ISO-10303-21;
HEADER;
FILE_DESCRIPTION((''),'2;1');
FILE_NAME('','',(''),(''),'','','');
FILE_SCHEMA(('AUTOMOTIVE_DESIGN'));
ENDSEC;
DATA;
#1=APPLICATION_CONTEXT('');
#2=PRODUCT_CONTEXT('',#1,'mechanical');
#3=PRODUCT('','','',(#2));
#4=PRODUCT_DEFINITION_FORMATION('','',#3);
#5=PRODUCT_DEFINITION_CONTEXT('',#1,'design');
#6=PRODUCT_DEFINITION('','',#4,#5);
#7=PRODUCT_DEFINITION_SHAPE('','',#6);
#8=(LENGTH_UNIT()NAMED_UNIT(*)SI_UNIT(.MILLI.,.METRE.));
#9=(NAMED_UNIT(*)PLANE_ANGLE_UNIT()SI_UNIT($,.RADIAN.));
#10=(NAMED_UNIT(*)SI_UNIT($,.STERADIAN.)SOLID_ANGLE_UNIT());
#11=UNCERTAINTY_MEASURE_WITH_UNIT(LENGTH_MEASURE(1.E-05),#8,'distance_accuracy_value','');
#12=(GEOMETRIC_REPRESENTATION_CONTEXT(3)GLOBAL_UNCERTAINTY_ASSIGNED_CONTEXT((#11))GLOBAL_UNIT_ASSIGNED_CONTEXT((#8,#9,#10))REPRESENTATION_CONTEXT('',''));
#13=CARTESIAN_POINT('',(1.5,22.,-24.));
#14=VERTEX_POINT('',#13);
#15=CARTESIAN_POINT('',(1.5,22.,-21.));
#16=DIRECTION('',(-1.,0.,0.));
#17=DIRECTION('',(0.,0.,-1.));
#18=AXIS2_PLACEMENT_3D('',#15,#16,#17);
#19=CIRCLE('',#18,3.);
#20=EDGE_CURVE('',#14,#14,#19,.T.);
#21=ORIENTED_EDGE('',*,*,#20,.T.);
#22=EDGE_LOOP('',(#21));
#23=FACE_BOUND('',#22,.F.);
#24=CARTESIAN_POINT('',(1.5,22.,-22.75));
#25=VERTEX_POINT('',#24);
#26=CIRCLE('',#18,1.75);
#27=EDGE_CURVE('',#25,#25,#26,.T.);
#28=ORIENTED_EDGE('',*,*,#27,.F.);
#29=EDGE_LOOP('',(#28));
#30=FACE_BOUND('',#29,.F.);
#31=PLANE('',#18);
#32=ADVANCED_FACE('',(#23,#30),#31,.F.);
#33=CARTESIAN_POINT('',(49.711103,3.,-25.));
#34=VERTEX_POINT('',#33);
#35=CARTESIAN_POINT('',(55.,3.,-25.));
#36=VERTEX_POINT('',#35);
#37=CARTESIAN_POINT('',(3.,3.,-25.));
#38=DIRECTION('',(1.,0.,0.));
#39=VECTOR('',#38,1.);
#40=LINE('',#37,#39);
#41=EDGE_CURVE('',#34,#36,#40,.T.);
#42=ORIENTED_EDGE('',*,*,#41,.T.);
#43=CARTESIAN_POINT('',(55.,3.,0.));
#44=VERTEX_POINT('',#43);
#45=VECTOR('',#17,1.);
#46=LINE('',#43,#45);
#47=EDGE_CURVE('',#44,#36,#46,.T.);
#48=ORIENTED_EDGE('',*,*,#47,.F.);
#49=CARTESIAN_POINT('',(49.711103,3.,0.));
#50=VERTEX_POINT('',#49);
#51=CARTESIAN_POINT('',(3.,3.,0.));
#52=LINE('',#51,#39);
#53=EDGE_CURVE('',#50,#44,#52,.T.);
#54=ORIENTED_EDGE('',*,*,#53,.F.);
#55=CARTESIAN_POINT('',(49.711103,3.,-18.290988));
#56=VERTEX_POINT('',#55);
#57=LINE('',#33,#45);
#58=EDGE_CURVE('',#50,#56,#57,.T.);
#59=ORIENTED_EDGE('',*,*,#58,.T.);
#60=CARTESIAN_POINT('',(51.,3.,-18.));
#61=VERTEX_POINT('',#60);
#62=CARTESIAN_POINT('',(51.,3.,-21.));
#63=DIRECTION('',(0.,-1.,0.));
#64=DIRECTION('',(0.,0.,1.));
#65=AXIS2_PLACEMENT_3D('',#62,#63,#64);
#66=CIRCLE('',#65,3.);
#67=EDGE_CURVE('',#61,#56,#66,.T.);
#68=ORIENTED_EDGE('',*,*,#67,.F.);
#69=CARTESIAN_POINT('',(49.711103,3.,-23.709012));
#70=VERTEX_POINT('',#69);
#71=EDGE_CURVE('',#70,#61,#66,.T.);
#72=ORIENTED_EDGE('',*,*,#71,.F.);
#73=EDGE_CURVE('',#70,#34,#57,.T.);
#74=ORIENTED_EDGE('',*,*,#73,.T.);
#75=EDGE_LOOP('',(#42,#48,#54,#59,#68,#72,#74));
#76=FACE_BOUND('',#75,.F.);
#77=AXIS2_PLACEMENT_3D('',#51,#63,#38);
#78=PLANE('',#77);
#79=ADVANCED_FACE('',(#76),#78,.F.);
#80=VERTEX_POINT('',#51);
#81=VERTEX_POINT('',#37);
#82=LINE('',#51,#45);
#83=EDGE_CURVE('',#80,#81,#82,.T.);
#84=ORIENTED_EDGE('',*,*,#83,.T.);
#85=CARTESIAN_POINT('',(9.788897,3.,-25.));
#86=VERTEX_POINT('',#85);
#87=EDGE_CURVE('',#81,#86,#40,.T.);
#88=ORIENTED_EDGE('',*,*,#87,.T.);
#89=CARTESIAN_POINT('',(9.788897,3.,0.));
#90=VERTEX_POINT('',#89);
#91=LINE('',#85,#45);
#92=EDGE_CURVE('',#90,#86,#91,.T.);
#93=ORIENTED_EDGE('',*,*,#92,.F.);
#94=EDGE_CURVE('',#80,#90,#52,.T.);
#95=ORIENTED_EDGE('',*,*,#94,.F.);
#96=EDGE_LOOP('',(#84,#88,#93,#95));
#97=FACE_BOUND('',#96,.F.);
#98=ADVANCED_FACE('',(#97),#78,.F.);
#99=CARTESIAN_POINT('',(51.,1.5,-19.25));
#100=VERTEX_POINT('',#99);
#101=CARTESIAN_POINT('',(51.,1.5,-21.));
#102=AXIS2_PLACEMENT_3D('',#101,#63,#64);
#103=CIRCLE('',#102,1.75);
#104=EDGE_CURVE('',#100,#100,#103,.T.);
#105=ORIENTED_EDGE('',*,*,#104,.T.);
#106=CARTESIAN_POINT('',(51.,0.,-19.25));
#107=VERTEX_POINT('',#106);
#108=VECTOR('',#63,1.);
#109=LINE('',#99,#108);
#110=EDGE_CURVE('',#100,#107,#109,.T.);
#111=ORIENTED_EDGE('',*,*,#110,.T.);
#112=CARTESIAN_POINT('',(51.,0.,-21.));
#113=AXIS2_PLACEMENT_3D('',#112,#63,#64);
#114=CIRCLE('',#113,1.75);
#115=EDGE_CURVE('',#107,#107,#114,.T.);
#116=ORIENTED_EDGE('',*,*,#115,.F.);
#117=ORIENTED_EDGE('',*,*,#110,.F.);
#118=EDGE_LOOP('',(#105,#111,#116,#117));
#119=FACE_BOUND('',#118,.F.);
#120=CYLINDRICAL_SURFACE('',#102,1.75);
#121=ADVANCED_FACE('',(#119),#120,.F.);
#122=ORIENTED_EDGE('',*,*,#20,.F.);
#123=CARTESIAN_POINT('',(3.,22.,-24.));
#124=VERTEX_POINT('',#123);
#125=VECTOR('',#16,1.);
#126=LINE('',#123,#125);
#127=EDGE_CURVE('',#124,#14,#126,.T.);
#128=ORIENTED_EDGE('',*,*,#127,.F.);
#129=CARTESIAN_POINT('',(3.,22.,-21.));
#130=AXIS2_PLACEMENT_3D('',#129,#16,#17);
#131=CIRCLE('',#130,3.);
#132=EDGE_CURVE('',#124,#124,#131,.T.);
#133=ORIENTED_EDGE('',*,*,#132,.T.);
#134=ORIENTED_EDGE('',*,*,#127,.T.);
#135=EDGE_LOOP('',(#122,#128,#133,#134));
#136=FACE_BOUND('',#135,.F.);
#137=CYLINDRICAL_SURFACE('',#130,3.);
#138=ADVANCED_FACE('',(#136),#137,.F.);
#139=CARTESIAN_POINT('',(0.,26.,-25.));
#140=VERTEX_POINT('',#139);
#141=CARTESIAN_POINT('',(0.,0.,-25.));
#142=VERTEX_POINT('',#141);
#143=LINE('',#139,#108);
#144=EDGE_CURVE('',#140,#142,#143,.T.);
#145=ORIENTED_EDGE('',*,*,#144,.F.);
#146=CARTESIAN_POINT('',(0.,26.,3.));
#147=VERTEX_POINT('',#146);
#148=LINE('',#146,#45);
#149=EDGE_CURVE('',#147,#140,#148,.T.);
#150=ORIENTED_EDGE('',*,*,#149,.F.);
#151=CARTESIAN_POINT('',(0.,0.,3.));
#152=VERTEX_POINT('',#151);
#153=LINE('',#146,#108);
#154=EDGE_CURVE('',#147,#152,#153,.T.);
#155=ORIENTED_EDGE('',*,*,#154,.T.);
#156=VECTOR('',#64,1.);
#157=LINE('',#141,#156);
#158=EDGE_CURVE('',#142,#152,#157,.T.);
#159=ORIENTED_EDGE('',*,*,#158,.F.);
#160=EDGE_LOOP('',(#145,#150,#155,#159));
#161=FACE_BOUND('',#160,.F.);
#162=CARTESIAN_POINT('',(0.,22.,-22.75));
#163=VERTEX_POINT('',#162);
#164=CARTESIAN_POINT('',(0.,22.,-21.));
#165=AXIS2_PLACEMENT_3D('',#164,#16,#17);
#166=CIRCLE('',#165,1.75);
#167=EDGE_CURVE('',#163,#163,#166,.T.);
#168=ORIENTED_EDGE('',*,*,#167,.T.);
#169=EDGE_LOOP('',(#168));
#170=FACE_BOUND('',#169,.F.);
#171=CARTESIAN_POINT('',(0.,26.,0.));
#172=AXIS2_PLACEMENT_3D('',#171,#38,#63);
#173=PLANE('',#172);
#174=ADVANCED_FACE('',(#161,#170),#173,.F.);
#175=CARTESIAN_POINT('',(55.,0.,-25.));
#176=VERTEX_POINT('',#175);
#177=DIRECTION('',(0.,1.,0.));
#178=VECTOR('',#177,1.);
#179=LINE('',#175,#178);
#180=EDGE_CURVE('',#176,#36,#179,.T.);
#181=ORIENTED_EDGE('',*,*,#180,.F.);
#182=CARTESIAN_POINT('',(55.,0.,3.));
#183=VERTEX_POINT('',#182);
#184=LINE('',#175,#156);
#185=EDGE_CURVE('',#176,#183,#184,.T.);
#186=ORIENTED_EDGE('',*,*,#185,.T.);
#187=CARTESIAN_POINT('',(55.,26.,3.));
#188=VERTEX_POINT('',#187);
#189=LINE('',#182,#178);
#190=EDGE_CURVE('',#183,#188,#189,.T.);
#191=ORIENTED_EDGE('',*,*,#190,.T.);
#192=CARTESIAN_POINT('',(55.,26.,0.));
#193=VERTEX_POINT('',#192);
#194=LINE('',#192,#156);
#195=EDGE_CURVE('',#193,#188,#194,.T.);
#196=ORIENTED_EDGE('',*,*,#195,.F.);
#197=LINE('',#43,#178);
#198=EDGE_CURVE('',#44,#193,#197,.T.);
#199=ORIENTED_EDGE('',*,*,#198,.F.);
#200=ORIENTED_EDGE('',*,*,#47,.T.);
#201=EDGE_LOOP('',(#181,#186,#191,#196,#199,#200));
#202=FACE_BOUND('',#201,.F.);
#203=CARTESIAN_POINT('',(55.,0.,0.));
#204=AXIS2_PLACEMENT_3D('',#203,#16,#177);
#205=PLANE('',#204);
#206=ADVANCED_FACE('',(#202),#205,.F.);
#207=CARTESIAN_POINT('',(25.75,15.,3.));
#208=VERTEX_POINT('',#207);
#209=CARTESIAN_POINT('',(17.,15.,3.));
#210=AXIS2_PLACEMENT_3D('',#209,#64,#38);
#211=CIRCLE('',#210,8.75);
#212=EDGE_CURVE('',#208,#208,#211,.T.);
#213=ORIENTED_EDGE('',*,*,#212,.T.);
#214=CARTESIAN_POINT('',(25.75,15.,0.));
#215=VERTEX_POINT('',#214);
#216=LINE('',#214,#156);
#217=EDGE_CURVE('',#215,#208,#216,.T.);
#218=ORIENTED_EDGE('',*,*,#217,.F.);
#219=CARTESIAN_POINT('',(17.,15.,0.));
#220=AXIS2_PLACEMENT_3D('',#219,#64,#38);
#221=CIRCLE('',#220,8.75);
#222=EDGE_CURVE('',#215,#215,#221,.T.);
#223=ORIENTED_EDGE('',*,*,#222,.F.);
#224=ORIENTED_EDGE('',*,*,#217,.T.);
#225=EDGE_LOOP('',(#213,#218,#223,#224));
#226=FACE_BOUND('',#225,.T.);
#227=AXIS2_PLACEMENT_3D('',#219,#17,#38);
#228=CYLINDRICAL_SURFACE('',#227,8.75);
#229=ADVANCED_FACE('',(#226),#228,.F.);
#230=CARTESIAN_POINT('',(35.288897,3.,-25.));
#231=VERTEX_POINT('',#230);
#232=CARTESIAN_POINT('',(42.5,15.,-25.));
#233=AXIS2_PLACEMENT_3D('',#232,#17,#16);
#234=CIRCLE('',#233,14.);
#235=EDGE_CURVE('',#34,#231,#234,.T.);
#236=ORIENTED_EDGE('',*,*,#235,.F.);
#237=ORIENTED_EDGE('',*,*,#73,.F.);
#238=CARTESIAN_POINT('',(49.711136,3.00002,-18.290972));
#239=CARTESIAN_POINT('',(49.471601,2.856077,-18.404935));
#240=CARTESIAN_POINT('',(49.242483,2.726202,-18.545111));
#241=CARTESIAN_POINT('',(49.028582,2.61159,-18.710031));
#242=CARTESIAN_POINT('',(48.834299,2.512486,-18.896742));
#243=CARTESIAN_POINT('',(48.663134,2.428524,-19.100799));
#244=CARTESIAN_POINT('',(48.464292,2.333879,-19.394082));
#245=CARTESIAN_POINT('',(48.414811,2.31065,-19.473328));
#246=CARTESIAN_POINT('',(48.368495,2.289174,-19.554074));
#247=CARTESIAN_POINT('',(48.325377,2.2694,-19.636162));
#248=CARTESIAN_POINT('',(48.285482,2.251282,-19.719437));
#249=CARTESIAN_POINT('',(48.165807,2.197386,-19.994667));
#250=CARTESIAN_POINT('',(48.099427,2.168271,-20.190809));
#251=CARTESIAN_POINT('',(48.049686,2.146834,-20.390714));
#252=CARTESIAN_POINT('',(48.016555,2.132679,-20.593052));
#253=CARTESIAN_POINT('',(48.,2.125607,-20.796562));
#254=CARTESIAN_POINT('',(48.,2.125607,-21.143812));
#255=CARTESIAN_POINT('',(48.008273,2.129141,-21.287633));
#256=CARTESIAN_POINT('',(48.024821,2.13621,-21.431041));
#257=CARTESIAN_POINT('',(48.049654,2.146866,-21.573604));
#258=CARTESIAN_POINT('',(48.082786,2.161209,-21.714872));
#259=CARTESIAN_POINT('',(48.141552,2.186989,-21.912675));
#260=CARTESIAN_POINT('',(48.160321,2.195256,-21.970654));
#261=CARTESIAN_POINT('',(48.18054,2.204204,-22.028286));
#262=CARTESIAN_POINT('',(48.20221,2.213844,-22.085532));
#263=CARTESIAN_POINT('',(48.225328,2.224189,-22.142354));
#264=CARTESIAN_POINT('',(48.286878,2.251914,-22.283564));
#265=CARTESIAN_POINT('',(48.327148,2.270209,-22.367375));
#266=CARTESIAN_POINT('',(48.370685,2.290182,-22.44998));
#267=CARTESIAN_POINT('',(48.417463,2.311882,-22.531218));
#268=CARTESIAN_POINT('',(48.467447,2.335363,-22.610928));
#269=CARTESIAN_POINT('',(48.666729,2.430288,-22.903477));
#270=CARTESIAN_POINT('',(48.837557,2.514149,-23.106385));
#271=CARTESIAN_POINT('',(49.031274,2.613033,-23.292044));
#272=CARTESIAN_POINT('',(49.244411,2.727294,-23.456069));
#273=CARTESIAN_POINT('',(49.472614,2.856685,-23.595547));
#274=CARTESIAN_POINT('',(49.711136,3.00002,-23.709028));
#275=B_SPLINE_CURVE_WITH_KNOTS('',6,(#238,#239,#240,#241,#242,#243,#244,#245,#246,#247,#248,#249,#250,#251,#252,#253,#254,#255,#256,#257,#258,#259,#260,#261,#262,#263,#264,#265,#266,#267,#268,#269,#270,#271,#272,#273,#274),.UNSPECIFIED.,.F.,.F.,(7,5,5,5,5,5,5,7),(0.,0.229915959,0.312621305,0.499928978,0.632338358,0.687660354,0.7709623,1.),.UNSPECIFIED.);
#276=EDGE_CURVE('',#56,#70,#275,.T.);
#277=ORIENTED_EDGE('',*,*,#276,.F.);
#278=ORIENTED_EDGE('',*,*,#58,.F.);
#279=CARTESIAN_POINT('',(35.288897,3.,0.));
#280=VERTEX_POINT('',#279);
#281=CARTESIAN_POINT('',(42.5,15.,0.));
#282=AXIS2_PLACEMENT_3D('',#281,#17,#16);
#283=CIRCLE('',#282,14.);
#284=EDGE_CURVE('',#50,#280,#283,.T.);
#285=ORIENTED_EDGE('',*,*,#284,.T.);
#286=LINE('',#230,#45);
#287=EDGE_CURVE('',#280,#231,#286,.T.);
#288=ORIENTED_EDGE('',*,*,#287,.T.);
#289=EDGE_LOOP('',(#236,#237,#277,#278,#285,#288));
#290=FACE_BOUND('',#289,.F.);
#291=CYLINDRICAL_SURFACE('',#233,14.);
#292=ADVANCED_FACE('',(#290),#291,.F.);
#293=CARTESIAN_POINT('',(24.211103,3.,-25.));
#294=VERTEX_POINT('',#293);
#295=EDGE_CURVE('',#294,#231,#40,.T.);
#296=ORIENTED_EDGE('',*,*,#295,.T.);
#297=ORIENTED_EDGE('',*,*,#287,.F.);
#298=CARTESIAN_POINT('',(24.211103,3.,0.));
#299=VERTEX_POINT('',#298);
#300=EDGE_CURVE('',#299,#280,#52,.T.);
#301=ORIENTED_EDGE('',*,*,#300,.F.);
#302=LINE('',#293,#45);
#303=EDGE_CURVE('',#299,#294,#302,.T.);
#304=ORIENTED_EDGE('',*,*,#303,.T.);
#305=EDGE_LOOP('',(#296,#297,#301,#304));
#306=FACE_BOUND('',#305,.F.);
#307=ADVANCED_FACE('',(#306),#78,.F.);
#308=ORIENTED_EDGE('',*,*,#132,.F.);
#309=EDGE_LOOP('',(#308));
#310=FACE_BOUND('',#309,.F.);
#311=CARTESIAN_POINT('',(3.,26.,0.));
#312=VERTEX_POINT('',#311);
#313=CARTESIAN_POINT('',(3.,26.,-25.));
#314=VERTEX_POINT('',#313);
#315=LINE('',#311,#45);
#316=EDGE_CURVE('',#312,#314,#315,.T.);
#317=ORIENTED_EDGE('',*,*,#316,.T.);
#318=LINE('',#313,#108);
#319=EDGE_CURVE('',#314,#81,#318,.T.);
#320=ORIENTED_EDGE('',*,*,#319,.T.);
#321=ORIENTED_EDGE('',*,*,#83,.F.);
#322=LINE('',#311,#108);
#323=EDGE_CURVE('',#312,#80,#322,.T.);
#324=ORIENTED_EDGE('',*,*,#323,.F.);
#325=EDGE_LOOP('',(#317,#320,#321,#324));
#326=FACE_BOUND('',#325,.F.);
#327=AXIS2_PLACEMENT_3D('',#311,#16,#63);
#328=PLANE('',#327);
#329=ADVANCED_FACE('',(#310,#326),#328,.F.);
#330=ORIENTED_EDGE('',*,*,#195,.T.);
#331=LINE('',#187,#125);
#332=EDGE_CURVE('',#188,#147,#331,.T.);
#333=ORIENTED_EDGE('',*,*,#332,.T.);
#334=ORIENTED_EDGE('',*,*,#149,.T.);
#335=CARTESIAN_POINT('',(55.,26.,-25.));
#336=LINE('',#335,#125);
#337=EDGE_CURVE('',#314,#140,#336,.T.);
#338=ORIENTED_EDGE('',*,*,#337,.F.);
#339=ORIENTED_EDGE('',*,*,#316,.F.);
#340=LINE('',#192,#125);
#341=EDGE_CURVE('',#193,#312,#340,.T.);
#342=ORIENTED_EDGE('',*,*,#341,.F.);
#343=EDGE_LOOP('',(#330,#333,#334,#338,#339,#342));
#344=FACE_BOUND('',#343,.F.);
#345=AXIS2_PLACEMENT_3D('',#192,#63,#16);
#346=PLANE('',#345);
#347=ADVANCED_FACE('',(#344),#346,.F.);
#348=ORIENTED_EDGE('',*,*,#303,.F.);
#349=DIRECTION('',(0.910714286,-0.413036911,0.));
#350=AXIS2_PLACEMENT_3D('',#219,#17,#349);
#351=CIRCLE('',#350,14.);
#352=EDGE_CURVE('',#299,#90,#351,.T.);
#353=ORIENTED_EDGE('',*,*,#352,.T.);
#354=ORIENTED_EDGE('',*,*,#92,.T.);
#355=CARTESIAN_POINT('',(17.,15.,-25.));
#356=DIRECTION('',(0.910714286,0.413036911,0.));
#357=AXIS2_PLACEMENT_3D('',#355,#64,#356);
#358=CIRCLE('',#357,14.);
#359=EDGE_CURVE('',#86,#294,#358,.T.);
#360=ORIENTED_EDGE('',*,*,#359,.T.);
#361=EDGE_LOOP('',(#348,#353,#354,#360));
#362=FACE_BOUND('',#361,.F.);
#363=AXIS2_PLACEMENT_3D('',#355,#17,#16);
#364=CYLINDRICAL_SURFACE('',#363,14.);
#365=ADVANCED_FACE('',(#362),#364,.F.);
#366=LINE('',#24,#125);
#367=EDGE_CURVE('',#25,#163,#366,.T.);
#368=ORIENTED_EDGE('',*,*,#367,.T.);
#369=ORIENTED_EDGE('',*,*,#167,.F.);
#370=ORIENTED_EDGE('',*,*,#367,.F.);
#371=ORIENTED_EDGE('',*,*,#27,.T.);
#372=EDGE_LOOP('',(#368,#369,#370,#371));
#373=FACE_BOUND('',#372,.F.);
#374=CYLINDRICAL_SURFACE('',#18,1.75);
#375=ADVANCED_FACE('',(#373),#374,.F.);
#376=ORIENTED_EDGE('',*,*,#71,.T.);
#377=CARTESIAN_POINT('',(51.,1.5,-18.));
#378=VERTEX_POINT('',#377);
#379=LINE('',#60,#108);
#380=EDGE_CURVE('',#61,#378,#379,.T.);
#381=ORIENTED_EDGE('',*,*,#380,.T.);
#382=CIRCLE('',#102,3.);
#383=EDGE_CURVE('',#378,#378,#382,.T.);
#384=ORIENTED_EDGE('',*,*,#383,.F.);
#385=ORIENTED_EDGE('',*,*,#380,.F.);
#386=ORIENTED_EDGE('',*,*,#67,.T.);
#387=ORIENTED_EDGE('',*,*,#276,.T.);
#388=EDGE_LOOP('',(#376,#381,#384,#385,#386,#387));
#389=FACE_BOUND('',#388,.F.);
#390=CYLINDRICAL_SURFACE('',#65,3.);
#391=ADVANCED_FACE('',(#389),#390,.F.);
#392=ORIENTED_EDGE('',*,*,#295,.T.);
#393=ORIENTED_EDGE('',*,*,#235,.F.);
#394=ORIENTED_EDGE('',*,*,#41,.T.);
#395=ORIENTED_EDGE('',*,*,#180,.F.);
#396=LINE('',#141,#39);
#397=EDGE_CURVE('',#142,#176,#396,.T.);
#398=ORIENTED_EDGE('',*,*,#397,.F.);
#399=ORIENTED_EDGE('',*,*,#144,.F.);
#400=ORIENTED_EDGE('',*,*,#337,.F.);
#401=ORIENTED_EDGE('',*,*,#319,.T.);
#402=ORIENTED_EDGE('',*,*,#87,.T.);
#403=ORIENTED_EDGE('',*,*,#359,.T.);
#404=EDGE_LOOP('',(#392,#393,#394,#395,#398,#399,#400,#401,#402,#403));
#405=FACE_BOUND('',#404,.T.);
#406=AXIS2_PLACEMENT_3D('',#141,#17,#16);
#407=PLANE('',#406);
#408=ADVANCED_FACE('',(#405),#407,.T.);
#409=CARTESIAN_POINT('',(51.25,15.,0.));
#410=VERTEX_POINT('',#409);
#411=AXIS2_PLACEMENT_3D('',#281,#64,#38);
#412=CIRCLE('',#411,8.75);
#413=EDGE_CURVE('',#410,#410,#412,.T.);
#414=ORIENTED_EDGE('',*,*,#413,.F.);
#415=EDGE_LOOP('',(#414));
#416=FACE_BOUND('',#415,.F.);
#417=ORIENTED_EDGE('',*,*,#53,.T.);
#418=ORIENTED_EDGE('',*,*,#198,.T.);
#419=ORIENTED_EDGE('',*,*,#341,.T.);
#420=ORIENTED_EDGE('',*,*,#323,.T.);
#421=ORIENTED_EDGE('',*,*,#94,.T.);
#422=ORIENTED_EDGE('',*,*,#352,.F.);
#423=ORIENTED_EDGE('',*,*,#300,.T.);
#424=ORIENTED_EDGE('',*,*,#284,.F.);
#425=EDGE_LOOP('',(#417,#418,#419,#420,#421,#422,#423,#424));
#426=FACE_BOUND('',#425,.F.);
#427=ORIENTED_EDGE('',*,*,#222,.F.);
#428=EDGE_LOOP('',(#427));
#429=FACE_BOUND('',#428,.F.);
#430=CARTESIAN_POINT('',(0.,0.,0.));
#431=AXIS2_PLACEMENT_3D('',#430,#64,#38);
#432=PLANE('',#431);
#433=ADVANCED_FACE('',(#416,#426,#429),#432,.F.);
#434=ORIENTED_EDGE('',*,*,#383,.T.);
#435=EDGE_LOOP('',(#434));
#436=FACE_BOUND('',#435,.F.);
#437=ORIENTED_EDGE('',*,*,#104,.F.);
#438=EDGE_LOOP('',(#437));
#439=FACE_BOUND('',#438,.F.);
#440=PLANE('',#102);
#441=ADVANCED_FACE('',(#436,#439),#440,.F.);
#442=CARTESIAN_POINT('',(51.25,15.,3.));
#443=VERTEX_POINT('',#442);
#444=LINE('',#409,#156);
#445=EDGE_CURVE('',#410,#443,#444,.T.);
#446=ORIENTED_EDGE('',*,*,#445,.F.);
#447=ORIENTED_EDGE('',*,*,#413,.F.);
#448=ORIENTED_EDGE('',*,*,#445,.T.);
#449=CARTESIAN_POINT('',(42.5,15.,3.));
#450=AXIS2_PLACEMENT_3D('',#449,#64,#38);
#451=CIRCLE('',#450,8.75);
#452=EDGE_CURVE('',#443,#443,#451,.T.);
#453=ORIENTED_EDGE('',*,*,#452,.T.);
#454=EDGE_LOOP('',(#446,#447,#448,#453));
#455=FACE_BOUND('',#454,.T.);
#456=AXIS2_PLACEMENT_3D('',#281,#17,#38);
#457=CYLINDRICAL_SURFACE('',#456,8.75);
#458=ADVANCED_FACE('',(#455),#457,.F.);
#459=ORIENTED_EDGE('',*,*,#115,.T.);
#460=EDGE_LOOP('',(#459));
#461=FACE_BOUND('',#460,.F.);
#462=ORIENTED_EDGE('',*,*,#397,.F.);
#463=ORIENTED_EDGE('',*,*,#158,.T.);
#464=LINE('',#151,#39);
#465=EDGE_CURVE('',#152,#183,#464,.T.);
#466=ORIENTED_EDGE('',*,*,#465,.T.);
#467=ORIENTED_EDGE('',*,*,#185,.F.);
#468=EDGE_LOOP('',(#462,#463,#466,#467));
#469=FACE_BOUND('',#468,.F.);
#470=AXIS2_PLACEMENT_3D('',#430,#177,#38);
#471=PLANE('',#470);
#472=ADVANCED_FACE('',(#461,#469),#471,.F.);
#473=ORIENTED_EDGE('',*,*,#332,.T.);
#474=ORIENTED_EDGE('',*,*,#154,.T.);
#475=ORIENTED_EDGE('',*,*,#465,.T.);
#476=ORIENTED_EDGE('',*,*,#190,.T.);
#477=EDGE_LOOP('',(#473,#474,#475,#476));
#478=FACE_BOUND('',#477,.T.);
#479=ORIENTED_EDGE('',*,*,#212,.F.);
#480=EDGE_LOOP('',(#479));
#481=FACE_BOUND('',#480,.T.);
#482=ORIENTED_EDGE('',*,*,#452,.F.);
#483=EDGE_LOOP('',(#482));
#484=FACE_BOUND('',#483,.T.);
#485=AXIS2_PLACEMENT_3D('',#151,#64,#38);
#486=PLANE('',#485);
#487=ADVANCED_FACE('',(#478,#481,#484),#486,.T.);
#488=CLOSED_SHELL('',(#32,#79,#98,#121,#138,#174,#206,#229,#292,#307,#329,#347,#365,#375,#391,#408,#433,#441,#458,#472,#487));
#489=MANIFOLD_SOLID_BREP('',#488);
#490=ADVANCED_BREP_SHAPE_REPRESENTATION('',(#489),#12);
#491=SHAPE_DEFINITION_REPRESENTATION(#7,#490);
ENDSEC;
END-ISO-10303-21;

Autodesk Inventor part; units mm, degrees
ref_plane "YZ Plane" through (0, 0, 0) normal (1, 0, 0) x (0, 1, 0)
ref_plane "XZ Plane" through (0, 0, 0) normal (0, 1, 0) x (-1, 0, 0)
ref_plane "XY Plane" through (0, 0, 0) normal (0, 0, 1) x (1, 0, 0)
sketch "Skizze1" plane through (0, 0, 0) normal (0, 0, 1) x (1, 0, 0)
  line L0 (0, 0) -> (55, 0)
  line L1 (55, 0) -> (55, 26)
  line L2 (55, 26) -> (0, 26)
  line L3 (0, 26) -> (0, 0)
  circle A0 centre (17, 15) radius 8.75
  circle A1 centre (42.5, 15) radius 8.75
  dimension "D" = 17.5
  dimension "d1" = 17.5
  dimension "Hoehe" = 26
  dimension "L" = 55
  dimension "d5" = 17
  dimension "d7" = 11
  dimension "d14" = 12.5
extrude "Extrusion1" add sketch "Skizze1" along normal blind 3
sketch "Skizze2" plane through (0, 0, 0) normal (0, 0, -1) x (-1, 0, 0)
  line L0 (-55, 0) -> (-55, 26) projected
  line L1 (0, 0) -> (-55, 0) projected
  line L2 (0, 26) -> (0, 0) projected
  line L3 (-55, 26) -> (0, 26) projected
  circle A0 centre (-17, 15) radius 8.75 projected
  circle A1 centre (-42.5, 15) radius 8.75 projected
  line L4 (-55, 26) -> (0, 26) projected
  line L5 (-3, 26) -> (-3, 3)
  line L6 (-3, 3) -> (-55, 3)
  dimension "Dicke" = 3
  dimension "d11" = 3
extrude "Extrusion2" add sketch "Skizze2" along normal blind 25 contours L0 L6 L5 L3 L2 L1
sketch "Skizze3" plane through (3, 3, 0) normal (0, 1, 0) x (1, 0, 0)
  line L0 (52, 0) -> (52, 25) projected
  line L1 (0, 25) -> (52, 25) projected
  point P0 (-3, 0)
  point P1 (48, 21)
  dimension "d22" = 4
  dimension "d23" = 4
hole "Bohrung1" at (51, 3, -21) direction (0, -1, 0) diameter 3.5 end through all counterbore diameter 6 counterbore depth 1.5
sketch "Skizze4" plane through (3, 3, 0) normal (1, 0, 0) x (0, 0, -1)
  line L0 (0, 23) -> (25, 23) projected
  line L1 (25, 23) -> (25, 0) projected
  point P0 (0, -3)
  point P1 (21, 19)
  dimension "d31" = 4
  dimension "d32" = 4
hole "Bohrung2" at (3, 22, -21) direction (-1, 0, 0) diameter 3.5 end through all counterbore diameter 6 counterbore depth 1.5
sketch "Skizze5" plane through (0, 0, -25) normal (0, 0, -1) x (-1, 0, 0)
  circle A0 centre (-42.5, 15) radius 8.75 projected
  circle A1 centre (-17, 15) radius 8.75 projected
  circle A2 centre (-42.5, 15) radius 14
  circle A3 centre (-17, 15) radius 14
  point P0 (0, 0)
  point P1 (-29.75, 9.2175)
  point P2 (-29.75, 20.7825)
  dimension "d33" = 28
  dimension "d34" = 28
extrude "Extrusion3" cut sketch "Skizze5" against normal blind 25 contours A2 A3 | A3 A2 picked at (-4.9763, 13.1615) picked at (-54.5237, 16.8385)
equation "\"d1\" = D"
equation "\"d11\" = Dicke"
equation "\"d23\" = d22"
equation "\"d34\" = d33"
properties part number "Buttons_Mount_v2"
